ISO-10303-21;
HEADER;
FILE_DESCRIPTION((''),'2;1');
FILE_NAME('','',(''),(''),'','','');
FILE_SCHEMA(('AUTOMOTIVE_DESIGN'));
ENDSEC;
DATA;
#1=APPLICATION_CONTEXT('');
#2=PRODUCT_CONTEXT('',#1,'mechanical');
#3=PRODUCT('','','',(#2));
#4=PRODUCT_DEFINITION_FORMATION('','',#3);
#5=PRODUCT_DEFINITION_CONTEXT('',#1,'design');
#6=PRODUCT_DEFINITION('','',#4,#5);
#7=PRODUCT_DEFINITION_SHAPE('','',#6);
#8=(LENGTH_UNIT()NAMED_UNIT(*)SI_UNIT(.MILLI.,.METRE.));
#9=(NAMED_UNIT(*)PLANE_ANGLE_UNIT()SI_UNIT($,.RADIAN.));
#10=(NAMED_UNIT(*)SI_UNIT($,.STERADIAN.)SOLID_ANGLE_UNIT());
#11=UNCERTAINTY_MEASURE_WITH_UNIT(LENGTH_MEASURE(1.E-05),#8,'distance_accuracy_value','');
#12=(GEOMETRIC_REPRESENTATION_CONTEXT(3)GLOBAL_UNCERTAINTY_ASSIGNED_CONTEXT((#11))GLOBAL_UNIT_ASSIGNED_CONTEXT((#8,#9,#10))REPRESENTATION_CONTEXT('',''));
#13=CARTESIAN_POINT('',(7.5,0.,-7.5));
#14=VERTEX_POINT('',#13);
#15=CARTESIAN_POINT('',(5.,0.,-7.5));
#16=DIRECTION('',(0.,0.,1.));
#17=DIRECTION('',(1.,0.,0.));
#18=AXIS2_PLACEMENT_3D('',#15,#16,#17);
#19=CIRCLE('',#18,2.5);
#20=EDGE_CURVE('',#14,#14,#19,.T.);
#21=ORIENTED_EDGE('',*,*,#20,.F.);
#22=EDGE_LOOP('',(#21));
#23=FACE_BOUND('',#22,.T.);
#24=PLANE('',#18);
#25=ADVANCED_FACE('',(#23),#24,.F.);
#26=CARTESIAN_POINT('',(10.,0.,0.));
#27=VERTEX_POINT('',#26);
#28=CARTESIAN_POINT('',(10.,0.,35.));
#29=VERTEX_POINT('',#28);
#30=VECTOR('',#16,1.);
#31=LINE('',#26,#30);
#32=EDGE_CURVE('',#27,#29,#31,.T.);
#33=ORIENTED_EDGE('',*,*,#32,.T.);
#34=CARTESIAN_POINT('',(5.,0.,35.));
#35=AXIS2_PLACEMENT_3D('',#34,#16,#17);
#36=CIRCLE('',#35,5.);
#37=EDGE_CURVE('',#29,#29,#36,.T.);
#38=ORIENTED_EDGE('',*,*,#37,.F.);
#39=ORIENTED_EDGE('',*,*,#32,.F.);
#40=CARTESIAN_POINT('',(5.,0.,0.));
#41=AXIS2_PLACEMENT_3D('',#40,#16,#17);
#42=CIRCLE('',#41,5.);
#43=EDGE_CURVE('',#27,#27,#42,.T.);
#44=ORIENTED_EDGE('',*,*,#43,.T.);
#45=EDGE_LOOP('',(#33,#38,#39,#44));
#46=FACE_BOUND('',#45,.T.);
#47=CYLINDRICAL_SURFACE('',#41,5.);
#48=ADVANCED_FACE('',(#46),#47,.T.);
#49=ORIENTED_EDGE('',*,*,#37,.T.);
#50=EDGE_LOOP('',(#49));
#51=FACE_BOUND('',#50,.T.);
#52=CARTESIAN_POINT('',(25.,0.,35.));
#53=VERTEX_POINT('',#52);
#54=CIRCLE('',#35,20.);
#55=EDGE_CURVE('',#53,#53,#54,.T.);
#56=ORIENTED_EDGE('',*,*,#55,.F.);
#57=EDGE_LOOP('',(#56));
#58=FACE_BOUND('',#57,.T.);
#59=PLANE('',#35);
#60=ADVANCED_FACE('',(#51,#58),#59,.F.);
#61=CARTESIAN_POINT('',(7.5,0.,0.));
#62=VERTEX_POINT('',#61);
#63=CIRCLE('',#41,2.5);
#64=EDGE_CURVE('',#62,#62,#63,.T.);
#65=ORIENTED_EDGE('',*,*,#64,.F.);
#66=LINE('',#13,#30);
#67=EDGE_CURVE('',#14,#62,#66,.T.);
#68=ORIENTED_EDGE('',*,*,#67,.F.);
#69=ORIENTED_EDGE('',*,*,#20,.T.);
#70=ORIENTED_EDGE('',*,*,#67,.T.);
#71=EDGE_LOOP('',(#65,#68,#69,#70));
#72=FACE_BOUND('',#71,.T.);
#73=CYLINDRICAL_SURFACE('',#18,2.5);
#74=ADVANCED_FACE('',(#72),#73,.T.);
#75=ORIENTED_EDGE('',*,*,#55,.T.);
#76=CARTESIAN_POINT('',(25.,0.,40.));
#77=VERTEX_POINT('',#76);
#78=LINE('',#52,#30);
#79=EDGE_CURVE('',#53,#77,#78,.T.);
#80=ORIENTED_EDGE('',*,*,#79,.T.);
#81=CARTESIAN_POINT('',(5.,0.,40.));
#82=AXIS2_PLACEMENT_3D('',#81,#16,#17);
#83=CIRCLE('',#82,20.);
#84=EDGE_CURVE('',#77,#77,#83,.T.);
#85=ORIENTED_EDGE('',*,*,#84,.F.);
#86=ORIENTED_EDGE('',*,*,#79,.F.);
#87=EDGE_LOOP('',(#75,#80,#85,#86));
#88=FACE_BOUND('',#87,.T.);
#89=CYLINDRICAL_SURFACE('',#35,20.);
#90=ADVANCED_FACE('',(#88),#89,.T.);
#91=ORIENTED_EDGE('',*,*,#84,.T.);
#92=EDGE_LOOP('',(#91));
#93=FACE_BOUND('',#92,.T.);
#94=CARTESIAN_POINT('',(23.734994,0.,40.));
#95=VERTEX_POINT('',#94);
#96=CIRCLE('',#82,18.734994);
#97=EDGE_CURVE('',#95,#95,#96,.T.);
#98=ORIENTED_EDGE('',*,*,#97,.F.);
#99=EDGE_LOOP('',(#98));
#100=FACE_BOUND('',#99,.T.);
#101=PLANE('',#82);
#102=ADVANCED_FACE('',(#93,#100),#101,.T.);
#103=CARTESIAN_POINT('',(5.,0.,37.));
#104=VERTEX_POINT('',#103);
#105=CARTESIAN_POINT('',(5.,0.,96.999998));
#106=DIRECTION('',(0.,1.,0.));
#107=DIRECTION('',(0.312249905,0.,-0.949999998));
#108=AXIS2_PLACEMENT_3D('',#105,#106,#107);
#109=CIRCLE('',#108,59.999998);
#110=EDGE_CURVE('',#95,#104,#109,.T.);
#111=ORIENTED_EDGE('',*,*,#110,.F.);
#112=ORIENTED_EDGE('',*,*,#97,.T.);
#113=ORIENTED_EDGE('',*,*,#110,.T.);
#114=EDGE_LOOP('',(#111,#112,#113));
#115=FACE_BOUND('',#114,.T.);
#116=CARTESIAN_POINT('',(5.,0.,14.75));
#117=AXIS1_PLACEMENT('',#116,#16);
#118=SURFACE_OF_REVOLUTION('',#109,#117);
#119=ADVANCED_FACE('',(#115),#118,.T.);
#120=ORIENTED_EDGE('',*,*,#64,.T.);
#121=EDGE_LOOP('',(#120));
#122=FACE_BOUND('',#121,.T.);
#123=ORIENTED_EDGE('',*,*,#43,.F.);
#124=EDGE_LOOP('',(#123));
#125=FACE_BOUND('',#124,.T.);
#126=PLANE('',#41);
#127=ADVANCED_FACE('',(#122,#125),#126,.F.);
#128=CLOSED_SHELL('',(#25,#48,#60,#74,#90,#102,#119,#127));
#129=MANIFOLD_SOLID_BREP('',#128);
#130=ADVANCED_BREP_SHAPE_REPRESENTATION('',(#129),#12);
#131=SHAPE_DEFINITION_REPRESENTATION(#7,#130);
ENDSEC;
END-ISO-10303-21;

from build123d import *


with BuildPart() as f1:
    # F0 (on Front) → F1 (revolve)
    with BuildSketch(Plane.XZ):
        Polygon((10, 35), (5, 35), (5, -7.5), (7.5, -7.5), (7.5, 0), (10, 0), align=None)
        with BuildLine():
            Line((5, 37), (5, 35))
            Line((5, 35), (10, 35))
            Line((10, 35), (25, 35))
            Line((25, 35), (25, 40))
            Line((25, 40), (23.734994, 40))
            ThreePointArc((23.734994, 40), (14.486833, 37.754747), (5, 37))
        make_face()
    revolve(axis=Axis((5, 0, 14.75), (0, 0, 1)))


solid = f1.part
